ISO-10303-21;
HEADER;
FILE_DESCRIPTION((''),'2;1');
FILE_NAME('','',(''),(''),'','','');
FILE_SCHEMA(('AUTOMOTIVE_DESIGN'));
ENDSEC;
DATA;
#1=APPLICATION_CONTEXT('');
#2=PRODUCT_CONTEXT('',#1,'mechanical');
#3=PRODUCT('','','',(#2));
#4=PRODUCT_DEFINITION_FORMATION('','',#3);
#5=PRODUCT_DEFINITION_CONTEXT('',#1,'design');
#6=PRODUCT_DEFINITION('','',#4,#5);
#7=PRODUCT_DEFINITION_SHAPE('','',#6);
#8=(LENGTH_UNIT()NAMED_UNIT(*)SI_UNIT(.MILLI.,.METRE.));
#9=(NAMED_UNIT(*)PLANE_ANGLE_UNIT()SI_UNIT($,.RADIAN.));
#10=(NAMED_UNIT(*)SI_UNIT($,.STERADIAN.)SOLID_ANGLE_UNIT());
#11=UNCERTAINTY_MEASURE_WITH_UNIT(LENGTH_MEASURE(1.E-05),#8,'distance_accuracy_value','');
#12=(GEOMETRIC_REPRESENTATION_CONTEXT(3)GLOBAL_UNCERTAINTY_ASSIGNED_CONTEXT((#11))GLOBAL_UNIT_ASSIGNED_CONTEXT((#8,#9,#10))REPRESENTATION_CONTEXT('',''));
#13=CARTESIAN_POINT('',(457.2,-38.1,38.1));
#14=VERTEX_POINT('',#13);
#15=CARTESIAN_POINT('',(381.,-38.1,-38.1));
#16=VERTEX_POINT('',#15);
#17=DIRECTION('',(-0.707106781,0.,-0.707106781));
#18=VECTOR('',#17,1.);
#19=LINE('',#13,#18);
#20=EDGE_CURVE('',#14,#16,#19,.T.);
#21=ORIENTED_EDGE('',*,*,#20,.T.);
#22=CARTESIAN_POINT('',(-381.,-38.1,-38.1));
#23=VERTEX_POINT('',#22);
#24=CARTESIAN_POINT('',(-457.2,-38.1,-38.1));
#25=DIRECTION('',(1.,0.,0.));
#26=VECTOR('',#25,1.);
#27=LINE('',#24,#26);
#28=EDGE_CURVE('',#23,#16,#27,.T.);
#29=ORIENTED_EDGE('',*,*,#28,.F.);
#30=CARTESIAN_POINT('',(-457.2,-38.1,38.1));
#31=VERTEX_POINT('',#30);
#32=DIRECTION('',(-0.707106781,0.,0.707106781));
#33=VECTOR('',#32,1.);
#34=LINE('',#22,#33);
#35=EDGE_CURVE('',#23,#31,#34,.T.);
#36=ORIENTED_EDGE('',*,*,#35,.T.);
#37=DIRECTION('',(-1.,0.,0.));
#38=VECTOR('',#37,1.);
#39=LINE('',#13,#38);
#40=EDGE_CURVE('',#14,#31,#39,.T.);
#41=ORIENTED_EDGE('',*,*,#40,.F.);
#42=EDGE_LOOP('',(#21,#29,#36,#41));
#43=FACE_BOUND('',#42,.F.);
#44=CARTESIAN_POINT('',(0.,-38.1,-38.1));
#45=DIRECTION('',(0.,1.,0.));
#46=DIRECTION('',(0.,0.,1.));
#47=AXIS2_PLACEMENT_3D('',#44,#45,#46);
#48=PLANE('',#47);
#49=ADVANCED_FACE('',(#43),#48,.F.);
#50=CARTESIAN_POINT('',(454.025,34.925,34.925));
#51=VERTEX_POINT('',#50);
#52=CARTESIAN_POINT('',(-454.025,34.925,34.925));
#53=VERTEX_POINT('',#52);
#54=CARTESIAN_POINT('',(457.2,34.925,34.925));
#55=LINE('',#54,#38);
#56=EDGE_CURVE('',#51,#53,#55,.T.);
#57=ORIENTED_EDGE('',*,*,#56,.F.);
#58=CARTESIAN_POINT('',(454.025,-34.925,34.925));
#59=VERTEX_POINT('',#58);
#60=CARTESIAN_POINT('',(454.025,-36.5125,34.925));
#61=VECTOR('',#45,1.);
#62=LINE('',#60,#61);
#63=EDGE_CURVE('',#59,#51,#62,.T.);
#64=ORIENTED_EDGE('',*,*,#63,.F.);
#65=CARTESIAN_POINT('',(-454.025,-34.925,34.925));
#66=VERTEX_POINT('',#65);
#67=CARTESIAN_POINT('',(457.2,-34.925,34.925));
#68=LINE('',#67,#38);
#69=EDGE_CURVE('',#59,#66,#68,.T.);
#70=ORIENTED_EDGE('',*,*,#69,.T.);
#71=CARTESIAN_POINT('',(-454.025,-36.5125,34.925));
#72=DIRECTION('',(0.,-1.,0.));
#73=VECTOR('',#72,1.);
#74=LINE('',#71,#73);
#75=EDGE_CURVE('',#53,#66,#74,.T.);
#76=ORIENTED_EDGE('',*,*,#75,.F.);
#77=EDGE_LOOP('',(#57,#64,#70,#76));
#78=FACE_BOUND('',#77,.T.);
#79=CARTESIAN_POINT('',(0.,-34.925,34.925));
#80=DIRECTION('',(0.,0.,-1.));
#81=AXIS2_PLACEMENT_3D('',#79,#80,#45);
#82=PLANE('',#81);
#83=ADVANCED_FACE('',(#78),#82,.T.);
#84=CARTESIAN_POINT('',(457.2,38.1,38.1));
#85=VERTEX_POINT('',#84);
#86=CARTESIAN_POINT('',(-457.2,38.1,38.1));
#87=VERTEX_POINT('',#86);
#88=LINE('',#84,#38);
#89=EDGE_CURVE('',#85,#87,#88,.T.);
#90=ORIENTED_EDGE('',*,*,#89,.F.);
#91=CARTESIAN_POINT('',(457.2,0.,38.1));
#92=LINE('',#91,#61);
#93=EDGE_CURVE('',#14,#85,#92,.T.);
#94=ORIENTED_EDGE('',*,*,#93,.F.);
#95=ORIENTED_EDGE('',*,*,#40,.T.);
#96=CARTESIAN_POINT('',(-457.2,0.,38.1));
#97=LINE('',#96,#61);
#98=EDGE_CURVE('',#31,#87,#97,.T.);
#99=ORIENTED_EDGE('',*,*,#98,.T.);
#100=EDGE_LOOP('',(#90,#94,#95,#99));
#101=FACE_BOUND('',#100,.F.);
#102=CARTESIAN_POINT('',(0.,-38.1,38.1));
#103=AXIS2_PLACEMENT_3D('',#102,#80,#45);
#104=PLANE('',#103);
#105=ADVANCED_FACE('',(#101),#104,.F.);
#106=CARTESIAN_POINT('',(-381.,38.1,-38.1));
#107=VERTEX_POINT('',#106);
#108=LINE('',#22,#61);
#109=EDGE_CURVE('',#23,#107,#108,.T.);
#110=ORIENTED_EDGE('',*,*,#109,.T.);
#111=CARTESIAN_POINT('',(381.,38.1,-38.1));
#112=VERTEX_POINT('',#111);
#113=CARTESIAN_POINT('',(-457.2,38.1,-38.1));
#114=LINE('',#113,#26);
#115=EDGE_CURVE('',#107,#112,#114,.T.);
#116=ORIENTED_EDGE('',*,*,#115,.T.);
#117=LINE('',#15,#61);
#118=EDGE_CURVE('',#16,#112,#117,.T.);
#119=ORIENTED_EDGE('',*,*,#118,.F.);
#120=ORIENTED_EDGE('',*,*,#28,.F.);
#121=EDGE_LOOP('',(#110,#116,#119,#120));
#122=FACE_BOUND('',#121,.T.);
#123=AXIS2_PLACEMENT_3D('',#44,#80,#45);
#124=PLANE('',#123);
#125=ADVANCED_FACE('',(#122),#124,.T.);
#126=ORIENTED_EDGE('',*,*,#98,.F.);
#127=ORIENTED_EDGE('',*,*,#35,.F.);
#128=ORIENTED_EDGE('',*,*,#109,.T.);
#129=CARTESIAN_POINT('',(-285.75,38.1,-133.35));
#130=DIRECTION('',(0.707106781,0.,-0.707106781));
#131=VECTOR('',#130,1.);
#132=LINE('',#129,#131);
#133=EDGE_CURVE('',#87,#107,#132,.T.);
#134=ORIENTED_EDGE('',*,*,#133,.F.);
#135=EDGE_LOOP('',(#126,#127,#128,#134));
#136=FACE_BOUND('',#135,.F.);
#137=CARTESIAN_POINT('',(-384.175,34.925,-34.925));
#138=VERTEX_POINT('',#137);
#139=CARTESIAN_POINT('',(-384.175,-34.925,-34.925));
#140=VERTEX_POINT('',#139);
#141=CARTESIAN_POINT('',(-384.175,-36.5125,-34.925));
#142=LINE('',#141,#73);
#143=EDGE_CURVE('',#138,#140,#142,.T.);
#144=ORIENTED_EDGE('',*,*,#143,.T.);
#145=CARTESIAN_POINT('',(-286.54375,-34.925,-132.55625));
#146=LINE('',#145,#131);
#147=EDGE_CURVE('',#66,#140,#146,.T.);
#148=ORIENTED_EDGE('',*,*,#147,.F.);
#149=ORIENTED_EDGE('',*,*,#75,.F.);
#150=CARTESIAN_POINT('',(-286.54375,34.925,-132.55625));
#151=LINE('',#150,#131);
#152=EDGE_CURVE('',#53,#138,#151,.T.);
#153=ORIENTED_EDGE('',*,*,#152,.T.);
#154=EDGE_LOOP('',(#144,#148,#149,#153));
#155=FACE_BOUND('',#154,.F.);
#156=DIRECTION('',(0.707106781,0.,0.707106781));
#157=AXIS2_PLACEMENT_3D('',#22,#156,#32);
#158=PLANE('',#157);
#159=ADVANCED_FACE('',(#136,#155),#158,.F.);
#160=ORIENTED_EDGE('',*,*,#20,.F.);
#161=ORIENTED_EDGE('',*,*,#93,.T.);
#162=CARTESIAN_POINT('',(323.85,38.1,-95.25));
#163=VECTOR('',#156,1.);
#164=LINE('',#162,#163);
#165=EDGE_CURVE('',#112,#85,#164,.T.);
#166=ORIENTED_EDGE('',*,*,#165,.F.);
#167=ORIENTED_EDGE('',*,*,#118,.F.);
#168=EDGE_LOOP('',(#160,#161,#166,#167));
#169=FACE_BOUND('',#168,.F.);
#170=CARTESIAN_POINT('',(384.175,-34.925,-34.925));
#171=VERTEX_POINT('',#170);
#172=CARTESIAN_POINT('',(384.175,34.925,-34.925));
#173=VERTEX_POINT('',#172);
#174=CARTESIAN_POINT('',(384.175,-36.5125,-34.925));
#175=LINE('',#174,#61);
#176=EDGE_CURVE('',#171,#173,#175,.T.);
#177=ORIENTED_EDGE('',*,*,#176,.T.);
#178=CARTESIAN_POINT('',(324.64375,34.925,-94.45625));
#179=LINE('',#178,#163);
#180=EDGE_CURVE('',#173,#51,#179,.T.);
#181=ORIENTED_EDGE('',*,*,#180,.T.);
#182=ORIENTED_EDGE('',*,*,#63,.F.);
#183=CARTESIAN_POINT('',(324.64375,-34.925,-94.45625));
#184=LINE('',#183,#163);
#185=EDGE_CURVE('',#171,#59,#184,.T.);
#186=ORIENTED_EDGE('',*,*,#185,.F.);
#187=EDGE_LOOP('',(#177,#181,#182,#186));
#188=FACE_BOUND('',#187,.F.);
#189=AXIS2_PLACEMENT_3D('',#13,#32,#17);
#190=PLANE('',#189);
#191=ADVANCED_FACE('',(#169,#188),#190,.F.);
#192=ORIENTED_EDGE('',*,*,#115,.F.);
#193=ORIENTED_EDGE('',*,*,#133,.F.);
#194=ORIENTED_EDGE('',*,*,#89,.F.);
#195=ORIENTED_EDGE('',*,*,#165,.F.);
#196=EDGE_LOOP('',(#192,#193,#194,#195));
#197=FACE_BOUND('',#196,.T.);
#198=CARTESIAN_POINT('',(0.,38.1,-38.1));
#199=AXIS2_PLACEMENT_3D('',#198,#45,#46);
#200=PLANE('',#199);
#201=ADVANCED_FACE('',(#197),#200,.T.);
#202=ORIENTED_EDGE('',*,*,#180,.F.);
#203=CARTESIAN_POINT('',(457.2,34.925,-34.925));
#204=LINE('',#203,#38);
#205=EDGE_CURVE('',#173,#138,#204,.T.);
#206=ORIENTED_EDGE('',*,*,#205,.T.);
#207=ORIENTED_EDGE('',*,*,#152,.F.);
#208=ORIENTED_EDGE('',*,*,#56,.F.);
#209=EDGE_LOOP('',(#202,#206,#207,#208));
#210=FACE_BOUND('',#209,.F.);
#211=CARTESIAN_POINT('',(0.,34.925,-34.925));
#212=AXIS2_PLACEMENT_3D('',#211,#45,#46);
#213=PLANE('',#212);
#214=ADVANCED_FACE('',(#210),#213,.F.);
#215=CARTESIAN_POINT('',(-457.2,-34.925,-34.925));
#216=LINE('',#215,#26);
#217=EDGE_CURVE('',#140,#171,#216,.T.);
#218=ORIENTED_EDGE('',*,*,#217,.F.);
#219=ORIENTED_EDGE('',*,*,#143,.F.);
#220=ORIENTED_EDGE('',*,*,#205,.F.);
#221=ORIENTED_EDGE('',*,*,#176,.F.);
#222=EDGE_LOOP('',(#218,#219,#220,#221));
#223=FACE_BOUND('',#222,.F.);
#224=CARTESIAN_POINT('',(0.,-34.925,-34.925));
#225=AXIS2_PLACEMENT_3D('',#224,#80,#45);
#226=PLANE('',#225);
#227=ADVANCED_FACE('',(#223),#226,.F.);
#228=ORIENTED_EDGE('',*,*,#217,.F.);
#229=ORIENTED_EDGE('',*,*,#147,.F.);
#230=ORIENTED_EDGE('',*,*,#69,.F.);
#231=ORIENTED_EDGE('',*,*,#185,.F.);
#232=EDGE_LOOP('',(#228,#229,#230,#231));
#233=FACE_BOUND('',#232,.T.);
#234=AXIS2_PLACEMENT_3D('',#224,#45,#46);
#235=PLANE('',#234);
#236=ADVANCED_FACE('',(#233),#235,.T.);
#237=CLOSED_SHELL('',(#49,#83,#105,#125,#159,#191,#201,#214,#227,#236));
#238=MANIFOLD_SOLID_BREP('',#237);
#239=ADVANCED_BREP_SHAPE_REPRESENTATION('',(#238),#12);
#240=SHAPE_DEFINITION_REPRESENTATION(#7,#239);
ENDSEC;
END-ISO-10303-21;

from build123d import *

# Parameters (mm, degrees)
F0_W          = 76.2
F0_H          = 76.2
F0_W_2        = 69.85
F0_H_2        = 69.85
F1_DEPTH      = 457.2
F1_DEPTH_BACK = 457.2
F3_DEPTH      = 76.201


with BuildPart() as f1:
    # F0 (on Right) → F1 (new body, two sides)
    with BuildSketch(Plane.YZ) as f1_sk:
        Rectangle(F0_W, F0_H)
        Rectangle(F0_W_2, F0_H_2, mode=Mode.SUBTRACT)
    extrude(amount=F1_DEPTH)
    extrude(f1_sk.sketch, amount=-F1_DEPTH_BACK)

    # F2 (on face) → F3 (cut, through all)
    with BuildSketch(Plane.XZ.offset(38.1)):
        Polygon((-381, -38.1), (-457.2, 38.1), (-457.2, -38.1), align=None)
        Polygon((457.2, -38.1), (457.2, 38.1), (381, -38.1), align=None)
    extrude(amount=-F3_DEPTH, mode=Mode.SUBTRACT)


solid = f1.part
